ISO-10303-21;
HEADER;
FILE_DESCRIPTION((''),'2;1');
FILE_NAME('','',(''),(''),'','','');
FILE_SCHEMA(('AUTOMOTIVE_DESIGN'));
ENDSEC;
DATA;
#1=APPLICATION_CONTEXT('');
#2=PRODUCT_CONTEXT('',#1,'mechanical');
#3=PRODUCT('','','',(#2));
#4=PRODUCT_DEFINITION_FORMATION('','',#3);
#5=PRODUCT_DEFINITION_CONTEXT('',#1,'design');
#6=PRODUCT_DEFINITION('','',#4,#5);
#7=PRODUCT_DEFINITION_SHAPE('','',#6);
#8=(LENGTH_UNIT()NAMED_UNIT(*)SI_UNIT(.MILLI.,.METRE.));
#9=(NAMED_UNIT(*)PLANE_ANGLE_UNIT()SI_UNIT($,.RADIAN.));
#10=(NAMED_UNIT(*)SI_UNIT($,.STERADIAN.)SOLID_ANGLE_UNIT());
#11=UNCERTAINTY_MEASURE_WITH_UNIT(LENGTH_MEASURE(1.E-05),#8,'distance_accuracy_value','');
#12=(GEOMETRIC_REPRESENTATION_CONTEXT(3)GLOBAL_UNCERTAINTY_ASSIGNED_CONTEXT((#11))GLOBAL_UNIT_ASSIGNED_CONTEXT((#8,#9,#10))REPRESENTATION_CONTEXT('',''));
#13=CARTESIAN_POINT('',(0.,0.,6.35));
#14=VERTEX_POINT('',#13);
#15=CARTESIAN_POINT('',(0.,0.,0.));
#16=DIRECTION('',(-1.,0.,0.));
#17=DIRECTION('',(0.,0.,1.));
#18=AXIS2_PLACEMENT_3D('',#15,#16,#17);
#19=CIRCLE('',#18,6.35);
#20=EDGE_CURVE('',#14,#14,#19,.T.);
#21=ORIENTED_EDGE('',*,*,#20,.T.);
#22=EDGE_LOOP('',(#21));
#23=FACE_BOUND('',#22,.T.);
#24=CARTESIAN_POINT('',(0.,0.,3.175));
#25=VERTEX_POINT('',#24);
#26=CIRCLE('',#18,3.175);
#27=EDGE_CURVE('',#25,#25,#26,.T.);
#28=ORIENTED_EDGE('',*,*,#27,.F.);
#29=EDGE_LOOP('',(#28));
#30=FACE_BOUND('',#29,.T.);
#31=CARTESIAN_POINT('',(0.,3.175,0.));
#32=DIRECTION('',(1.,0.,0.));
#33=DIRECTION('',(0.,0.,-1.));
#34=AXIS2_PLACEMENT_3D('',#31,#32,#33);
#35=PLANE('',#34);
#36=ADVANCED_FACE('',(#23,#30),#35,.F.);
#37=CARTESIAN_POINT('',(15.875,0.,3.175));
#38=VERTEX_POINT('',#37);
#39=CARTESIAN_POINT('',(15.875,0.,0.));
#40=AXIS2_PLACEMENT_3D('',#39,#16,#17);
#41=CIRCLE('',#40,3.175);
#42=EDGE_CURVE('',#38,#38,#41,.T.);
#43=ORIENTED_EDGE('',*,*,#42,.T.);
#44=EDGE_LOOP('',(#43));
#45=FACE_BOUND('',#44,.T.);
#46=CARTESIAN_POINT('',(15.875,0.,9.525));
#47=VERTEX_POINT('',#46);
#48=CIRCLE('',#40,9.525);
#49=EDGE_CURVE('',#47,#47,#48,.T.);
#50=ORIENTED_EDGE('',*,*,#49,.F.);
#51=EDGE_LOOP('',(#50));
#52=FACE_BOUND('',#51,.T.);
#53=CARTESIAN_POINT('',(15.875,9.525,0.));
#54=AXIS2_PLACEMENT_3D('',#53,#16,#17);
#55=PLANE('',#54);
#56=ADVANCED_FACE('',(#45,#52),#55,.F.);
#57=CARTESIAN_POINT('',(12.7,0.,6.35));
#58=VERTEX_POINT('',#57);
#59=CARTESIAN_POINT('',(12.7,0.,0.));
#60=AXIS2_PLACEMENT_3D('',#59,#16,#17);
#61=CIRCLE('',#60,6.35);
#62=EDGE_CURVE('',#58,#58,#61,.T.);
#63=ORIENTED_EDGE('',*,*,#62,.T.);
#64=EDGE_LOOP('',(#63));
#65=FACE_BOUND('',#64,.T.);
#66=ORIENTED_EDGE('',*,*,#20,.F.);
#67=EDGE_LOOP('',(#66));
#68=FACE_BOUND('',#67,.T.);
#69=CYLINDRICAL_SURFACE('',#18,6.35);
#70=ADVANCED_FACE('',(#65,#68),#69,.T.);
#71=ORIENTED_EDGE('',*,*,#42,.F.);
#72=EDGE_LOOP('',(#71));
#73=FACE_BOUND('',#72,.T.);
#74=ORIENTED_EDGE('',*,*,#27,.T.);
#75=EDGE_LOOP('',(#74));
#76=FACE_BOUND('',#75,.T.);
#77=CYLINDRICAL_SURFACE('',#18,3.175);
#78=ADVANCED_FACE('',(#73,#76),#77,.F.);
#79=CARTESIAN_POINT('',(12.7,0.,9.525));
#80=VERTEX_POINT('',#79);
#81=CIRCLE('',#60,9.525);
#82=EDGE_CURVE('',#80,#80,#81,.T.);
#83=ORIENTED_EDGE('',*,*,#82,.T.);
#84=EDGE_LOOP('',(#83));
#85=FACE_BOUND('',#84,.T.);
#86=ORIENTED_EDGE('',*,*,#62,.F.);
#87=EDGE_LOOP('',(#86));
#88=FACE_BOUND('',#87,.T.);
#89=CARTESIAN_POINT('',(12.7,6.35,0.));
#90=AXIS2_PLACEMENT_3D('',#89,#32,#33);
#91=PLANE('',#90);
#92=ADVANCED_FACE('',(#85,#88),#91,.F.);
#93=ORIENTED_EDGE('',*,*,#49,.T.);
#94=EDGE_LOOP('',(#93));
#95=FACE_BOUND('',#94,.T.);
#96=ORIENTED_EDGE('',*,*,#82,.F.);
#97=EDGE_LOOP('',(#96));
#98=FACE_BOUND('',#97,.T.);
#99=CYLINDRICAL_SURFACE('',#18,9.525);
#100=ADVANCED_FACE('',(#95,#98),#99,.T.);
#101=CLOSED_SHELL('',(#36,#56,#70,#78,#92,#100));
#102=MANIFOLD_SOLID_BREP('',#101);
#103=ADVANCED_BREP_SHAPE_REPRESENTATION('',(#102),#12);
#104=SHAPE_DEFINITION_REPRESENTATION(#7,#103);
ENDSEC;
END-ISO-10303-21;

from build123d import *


with BuildPart() as part:
    # Sketch1 → Revolve1 (revolve)
    with BuildSketch(Plane.XY, mode=Mode.PRIVATE) as revolve1_sk:
        Polygon((0, 3.175), (0, 6.35), (12.7, 6.35), (12.7, 9.525), (15.875, 9.525), (15.875, 3.175), align=None)
    revolve(revolve1_sk.sketch.rotate(Axis((0, 0, 0), (1, 0, 0)), 90), axis=Axis((0, 0, 0), (1, 0, 0)))


solid = part.part
